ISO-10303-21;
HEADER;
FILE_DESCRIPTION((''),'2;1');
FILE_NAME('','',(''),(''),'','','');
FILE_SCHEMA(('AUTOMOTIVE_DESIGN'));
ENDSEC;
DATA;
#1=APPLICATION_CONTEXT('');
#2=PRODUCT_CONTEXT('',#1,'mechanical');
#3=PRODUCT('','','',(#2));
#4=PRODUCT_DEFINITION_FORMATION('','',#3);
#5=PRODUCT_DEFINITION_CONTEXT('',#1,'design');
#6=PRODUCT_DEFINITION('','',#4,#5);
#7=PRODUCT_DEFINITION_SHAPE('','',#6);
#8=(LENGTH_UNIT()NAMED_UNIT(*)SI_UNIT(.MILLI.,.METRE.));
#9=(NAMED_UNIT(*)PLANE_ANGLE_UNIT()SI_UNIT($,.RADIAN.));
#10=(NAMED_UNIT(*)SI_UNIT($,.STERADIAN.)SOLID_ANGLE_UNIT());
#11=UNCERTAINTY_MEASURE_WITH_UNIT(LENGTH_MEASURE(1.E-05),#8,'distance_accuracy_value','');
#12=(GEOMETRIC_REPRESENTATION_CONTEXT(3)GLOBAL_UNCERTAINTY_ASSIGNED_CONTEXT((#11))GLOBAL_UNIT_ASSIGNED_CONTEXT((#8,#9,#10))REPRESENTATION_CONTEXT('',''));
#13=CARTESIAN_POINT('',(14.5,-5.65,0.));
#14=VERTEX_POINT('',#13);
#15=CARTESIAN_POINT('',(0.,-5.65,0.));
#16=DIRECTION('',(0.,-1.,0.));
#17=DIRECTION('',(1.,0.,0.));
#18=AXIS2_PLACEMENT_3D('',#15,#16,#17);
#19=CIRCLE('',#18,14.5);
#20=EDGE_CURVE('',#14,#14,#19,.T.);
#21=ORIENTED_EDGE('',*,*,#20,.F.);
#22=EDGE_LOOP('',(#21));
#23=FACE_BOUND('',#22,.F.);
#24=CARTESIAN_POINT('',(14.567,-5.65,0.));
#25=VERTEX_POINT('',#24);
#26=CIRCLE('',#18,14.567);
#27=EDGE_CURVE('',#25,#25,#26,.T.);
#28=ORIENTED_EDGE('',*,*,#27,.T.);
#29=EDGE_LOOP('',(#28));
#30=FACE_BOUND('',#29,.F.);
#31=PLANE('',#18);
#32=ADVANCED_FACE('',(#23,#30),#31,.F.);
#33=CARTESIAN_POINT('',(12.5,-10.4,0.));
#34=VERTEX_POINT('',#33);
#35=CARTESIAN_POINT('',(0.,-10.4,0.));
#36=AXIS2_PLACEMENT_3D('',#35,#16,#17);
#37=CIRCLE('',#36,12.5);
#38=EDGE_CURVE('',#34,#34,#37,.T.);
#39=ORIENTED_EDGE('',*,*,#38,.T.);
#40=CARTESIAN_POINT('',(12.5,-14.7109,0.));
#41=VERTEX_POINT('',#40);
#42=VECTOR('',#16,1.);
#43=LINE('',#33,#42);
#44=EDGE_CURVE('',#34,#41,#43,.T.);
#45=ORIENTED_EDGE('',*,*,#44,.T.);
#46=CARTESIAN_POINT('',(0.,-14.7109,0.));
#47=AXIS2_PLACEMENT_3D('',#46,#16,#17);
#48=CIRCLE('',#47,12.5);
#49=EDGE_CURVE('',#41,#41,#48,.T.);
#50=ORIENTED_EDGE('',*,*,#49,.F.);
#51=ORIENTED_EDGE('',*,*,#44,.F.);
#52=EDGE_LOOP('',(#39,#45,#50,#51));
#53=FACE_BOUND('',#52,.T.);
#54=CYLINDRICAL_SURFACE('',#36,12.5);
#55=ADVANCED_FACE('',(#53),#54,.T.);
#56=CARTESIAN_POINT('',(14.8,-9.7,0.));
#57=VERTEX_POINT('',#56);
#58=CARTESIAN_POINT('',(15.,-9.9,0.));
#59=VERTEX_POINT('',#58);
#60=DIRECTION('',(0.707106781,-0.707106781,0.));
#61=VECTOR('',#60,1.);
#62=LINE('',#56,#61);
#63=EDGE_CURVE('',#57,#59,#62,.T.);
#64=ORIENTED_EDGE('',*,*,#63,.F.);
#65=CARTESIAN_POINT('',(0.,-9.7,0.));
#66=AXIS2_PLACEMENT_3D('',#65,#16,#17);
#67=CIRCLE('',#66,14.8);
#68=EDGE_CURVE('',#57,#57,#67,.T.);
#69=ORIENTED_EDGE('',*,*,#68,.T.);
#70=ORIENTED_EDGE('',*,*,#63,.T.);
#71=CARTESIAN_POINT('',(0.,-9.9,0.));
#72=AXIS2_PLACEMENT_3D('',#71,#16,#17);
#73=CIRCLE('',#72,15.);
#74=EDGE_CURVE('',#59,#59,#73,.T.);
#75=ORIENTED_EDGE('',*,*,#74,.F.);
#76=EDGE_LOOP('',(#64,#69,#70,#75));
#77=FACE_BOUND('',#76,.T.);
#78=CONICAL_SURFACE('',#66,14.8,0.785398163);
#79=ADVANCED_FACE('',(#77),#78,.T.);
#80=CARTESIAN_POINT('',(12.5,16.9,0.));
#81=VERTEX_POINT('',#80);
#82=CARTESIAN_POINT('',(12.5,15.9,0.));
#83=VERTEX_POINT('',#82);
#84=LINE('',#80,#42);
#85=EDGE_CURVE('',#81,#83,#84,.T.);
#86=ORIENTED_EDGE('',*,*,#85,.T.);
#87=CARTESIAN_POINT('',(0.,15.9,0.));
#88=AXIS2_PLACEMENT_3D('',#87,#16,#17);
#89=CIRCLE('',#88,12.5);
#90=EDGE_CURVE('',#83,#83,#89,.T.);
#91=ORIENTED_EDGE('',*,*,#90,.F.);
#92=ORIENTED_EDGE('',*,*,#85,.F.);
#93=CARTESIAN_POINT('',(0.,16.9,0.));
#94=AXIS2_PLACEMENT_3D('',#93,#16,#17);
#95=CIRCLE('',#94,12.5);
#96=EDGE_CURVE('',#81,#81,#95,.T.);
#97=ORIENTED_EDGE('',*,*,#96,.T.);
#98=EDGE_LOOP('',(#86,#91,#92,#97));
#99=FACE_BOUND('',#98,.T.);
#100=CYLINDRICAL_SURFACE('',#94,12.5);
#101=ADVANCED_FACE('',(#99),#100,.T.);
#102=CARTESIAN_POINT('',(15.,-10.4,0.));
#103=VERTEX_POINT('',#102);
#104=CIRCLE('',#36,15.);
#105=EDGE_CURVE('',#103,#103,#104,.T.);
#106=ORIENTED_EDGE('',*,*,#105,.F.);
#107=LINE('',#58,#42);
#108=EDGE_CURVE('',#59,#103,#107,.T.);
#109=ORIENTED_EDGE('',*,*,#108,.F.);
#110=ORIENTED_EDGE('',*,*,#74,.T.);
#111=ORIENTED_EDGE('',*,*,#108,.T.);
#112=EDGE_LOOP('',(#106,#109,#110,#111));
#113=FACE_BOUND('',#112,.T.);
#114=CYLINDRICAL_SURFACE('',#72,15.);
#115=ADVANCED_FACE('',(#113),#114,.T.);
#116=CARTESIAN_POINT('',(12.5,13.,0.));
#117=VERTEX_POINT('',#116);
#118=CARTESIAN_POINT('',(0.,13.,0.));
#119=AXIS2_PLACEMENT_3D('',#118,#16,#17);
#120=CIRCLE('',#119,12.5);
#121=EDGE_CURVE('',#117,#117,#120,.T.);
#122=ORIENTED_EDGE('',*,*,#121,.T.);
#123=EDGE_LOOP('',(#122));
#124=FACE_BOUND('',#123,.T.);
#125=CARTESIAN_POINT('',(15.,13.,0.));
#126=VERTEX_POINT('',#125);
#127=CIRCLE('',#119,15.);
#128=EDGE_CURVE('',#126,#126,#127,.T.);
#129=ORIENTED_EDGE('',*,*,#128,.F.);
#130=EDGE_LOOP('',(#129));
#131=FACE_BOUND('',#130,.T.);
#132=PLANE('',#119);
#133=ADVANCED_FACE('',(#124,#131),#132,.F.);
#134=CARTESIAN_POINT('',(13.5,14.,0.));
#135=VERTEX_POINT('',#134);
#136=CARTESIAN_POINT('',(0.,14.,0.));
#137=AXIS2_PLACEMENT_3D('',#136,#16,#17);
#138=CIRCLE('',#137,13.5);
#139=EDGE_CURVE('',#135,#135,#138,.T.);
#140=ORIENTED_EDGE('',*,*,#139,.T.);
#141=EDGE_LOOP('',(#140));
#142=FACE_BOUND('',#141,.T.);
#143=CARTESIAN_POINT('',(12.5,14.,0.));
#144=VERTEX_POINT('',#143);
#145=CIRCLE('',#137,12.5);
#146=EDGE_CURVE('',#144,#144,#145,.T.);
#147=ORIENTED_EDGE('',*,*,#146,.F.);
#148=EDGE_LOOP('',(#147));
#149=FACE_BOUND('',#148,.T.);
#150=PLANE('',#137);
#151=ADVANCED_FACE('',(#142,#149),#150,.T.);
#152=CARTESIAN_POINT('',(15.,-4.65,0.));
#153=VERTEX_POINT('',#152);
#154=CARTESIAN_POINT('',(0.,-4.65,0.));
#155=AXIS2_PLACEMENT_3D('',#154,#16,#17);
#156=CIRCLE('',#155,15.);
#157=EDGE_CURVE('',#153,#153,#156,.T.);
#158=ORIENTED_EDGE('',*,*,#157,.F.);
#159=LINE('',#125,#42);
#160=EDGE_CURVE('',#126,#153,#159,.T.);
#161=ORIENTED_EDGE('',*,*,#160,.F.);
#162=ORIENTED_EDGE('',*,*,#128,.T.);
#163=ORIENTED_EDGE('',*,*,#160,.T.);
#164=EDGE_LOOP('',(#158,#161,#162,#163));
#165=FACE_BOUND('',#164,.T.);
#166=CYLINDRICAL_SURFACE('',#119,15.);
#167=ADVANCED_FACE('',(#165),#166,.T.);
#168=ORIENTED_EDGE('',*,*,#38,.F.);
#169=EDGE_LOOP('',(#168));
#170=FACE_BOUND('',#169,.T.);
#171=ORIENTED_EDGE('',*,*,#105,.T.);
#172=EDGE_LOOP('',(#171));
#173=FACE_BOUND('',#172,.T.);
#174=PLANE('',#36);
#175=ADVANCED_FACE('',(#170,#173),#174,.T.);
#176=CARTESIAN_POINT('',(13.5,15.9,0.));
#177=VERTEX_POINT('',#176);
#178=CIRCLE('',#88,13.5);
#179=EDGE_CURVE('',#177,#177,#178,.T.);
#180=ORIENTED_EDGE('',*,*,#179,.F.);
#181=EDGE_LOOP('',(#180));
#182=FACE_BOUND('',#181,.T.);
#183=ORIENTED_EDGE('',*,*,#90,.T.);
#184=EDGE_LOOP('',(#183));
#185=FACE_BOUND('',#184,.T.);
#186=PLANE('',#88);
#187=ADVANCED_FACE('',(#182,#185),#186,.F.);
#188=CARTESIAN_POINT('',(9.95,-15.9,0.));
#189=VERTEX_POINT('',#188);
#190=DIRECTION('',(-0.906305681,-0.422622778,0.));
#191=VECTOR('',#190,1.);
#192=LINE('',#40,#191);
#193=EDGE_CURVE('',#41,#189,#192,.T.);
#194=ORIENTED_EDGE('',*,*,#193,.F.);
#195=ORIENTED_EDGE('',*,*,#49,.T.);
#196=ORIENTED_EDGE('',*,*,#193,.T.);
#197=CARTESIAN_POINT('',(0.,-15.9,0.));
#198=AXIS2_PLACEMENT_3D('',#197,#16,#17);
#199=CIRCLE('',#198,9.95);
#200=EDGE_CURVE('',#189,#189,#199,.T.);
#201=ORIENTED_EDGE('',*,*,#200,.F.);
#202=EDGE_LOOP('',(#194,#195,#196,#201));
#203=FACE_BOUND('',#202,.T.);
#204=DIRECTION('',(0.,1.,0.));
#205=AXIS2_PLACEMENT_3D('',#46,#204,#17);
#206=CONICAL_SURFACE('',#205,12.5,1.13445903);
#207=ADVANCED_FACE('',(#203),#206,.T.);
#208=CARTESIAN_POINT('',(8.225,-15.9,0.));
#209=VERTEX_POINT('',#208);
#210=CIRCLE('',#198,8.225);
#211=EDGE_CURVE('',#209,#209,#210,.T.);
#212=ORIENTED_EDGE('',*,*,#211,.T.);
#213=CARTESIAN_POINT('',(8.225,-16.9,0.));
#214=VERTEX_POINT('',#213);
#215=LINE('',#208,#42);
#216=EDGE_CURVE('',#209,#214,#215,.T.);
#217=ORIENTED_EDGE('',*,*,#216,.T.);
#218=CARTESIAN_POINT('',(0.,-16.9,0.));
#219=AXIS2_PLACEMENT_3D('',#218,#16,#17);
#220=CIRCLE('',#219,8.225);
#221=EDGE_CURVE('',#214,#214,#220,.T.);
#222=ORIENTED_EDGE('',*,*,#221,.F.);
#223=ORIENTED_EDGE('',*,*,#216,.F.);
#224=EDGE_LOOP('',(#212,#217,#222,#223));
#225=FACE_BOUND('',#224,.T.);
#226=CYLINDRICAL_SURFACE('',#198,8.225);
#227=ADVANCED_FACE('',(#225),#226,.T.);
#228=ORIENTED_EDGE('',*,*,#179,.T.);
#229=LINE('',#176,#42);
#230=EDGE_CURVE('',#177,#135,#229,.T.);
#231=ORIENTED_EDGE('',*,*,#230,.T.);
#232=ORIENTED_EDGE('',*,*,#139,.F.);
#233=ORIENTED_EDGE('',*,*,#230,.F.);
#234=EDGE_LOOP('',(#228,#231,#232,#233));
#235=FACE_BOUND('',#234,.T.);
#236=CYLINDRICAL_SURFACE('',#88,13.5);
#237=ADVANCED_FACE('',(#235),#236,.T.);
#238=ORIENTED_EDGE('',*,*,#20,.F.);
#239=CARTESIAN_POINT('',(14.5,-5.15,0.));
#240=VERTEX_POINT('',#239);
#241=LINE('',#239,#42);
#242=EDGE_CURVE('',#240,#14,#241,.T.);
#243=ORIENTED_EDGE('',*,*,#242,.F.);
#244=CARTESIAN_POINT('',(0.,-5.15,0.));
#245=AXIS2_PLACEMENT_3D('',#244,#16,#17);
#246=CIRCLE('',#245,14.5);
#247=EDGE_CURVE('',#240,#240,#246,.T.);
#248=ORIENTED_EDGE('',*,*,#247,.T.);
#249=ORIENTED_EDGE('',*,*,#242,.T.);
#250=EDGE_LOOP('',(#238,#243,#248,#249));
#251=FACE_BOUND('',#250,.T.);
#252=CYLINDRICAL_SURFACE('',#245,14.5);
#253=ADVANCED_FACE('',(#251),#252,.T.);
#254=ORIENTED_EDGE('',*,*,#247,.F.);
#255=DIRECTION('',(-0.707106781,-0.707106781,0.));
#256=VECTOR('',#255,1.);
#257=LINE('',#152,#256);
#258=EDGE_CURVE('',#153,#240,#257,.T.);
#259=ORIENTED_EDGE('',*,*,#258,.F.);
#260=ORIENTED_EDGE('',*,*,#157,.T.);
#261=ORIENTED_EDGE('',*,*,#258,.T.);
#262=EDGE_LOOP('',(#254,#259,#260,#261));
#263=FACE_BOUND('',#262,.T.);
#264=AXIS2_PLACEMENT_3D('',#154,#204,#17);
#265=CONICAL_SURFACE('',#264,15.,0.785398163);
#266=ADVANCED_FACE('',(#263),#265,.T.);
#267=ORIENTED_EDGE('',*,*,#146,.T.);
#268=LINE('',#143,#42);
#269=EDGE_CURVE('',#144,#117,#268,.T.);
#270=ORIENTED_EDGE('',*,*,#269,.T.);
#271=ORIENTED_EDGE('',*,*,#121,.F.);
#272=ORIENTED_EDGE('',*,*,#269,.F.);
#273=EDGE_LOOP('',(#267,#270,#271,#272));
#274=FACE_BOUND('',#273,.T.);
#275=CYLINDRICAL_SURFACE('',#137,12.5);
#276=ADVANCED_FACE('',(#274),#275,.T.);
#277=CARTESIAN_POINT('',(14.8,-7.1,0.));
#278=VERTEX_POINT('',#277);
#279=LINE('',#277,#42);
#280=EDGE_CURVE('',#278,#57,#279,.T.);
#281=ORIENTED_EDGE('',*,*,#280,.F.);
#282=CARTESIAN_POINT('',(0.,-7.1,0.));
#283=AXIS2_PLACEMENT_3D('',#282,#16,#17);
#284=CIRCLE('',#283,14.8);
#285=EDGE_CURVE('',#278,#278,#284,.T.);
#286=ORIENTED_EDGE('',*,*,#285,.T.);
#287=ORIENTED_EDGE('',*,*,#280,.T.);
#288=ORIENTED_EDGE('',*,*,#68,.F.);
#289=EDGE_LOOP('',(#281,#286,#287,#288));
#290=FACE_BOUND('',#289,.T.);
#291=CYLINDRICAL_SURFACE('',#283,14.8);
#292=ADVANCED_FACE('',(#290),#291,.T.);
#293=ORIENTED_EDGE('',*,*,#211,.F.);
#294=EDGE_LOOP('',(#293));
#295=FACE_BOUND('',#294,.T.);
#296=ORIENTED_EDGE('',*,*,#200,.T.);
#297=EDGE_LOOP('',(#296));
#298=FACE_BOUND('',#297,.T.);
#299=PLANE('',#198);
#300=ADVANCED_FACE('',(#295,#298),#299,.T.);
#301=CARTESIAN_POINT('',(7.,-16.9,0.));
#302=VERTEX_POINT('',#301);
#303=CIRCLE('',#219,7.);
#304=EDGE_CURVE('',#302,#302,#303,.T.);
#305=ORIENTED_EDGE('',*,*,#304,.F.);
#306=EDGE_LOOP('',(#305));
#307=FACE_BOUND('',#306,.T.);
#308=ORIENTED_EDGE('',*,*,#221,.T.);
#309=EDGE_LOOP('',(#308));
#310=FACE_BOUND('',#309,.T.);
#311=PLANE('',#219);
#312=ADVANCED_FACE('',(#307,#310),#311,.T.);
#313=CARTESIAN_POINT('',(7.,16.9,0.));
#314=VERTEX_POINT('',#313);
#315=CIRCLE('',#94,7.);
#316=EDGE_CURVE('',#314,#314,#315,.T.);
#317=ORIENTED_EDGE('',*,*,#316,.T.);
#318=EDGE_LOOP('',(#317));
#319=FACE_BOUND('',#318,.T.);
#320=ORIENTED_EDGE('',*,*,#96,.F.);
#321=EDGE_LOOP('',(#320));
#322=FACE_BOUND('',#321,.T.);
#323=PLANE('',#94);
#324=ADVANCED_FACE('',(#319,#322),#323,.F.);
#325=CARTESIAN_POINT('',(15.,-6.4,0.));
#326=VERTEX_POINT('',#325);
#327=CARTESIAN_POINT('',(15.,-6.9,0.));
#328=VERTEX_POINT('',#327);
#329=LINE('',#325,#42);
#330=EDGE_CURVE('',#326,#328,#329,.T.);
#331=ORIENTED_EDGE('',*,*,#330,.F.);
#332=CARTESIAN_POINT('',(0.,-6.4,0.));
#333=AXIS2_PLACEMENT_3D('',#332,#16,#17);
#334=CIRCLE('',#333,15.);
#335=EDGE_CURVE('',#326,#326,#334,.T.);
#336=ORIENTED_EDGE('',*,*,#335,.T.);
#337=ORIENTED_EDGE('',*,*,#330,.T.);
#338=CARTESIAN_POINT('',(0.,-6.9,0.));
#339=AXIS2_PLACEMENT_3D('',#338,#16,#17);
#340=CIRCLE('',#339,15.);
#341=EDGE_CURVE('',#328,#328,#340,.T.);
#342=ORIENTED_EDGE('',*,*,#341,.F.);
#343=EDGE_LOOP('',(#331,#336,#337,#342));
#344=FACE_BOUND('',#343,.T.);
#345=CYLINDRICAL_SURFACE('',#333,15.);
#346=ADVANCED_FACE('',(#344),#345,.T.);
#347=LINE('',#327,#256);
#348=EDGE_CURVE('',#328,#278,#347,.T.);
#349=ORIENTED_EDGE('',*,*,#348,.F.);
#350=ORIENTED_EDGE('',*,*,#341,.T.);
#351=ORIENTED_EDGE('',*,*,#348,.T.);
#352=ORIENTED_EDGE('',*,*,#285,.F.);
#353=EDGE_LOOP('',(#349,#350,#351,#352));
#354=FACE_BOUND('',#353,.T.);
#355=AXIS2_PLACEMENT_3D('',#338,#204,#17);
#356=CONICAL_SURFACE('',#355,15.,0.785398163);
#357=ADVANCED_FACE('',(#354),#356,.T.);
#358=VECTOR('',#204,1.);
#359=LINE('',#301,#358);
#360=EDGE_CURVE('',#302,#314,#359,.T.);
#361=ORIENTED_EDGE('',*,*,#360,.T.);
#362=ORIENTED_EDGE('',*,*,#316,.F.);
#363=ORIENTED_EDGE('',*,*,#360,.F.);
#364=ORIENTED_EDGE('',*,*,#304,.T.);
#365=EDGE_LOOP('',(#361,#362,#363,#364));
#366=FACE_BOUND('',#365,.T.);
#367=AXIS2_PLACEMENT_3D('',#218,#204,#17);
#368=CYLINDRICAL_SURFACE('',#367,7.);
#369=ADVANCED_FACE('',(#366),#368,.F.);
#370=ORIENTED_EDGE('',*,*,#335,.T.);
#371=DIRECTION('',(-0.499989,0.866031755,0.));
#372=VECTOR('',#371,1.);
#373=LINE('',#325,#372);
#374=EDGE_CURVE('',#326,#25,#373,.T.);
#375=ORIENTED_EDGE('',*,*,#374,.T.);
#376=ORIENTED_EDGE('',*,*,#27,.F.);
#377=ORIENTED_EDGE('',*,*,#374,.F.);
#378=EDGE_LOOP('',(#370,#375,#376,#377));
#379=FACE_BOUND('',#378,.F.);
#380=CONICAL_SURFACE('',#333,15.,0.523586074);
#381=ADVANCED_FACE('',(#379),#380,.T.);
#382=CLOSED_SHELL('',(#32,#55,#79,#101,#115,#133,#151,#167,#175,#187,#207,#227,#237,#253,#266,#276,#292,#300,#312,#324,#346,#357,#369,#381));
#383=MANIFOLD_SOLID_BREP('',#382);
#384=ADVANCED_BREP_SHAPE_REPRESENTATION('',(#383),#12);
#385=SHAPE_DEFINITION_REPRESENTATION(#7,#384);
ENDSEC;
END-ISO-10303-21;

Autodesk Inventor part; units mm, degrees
ref_plane "YZ Plane" through (0, 0, 0) normal (1, 0, 0) x (0, 1, 0)
ref_plane "XZ Plane" through (0, 0, 0) normal (0, 1, 0) x (-1, 0, 0)
ref_plane "XY Plane" through (0, 0, 0) normal (0, 0, 1) x (1, 0, 0)
sketch "Skizze1" plane through (0, 0, 0) normal (0, 0, 1) x (1, 0, 0)
  line L0 (0, 146.3203) -> (0, -146.3203) construction
  line L1 (7, -16.9) -> (7, 16.9)
  line L2 (7, 16.9) -> (12.5, 16.9)
  line L3 (12.5, 16.9) -> (12.5, 15.9)
  line L4 (12.5, 15.9) -> (13.5, 15.9)
  line L5 (13.5, 15.9) -> (13.5, 14)
  line L6 (13.5, 14) -> (12.5, 14)
  line L7 (12.5, 14) -> (12.5, 13)
  line L8 (12.5, 13) -> (15, 13)
  line L9 (15, 13) -> (15, -4.65)
  line L10 (15, -4.65) -> (14.5, -5.15)
  line L11 (14.5, -5.15) -> (14.5, -5.65)
  line L12 (15, -6.4) -> (15, -6.9)
  line L13 (15, -6.9) -> (14.8, -7.1)
  line L14 (14.8, -7.1) -> (14.8, -9.7)
  line L15 (14.8, -9.7) -> (15, -9.9)
  line L16 (15, -9.9) -> (15, -10.4)
  line L17 (15, -10.4) -> (12.5, -10.4)
  line L18 (12.5, -10.4) -> (12.5, -14.7109)
  line L19 (12.5, -14.7109) -> (9.95, -15.9)
  line L20 (9.95, -15.9) -> (8.225, -15.9)
  line L21 (8.225, -15.9) -> (8.225, -16.9)
  line L22 (8.225, -16.9) -> (7, -16.9)
  line L23 (15, -6.4) -> (14.567, -5.65)
  line L24 (14.567, -5.65) -> (14.5, -5.65)
  line L25 (0, 0) -> (7, 0) construction
  dimension "d0" = 15
  dimension "d1" = 29.9
  dimension "d2" = 3.9
  dimension "d3" = 25
  dimension "d7" = 28.9
  dimension "d8" = 23.4
  dimension "d11" = 1
  dimension "d12" = 1
  dimension "d13" = 14.8
  dimension "d14" = 2.6
  dimension "d15" = 14.5
  dimension "d16" = 1.75
  dimension "d17" = 0.5
  dimension "d18" = 0.5
  dimension "d19" = 8.225
  dimension "d20" = 9.95
  dimension "d21" = 12.5
  dimension "d22" = 13.5
  dimension "d23" = 12.5
  dimension "d24" = 45
  dimension "d25" = 30
  dimension "d26" = 45
  dimension "d27" = 0.75
  dimension "d28" = 7
revolve "Umdrehung1" add sketch "Skizze1" angle 360 about axis through (0, 146.3203, 0) along (0, -1, 0)
thread "Gewinde1" size "M27x0.75" class "6g" standard "ANSI Metric M Profile" full length
ref_plane "image plane" through (0, -32, 0) normal (0, 1, 0) x (1, 0, 0)
properties part number "ZEISS EC Epiplan-Neofluar (422320-9900-000)"
